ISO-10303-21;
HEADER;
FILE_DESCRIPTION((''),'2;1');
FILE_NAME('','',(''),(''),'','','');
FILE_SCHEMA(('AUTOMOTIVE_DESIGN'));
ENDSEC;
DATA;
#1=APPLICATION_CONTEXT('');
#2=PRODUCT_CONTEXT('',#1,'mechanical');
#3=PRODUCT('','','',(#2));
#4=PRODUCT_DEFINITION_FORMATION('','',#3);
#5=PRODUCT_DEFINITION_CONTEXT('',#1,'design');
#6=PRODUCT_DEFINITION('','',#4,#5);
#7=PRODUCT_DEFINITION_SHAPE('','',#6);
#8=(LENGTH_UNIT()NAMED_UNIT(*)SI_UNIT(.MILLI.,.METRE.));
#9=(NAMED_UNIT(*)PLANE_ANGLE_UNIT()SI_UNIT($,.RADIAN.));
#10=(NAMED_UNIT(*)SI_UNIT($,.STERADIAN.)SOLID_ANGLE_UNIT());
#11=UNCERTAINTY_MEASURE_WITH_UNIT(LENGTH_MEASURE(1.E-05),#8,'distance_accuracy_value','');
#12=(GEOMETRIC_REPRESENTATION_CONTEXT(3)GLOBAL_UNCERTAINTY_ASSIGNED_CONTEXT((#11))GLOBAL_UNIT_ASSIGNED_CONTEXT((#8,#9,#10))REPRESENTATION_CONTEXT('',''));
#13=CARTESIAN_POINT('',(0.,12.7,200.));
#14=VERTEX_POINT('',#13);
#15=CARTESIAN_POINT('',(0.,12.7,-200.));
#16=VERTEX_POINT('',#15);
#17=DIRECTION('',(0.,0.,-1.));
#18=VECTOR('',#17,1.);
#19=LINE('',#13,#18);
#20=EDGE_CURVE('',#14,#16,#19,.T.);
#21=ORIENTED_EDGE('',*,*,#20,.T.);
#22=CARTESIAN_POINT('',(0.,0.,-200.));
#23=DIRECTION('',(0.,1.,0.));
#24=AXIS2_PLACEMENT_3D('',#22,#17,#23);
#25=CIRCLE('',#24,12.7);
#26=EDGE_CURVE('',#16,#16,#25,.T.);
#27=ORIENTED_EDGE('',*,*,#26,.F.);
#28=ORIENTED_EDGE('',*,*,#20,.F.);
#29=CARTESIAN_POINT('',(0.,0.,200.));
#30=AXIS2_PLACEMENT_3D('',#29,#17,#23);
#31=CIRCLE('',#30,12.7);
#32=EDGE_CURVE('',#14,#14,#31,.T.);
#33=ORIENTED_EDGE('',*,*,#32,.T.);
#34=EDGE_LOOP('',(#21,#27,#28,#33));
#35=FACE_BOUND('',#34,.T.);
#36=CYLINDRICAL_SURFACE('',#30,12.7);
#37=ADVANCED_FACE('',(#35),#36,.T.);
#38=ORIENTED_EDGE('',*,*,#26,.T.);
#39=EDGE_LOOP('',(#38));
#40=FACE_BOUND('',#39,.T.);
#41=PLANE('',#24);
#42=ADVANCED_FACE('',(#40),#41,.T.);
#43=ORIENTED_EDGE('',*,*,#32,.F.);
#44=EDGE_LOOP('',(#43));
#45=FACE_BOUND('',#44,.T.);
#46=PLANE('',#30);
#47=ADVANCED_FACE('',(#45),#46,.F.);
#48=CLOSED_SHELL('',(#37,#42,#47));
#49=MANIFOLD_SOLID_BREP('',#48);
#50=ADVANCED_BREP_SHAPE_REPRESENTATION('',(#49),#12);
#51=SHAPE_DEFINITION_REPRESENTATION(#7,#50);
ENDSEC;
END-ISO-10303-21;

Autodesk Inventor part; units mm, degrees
ref_plane "YZ Plane" through (0, 0, 0) normal (1, 0, 0) x (0, 1, 0)
ref_plane "XZ Plane" through (0, 0, 0) normal (0, 1, 0) x (-1, 0, 0)
ref_plane "XY Plane" through (0, 0, 0) normal (0, 0, 1) x (1, 0, 0)
sketch "Sketch1" plane through (0, 0, 0) normal (1, 0, 0) x (0, 1, 0)
  line L0 (0, 200) -> (0, -200)
  line L1 (0, -185) -> (0, 185) construction
  line L2 (0, 200) -> (12.7, 200)
  line L3 (12.7, 200) -> (12.7, -200)
  line L4 (12.7, -200) -> (0, -200)
  point P0 (0, 0)
  dimension "d0" = 400
  dimension "d1" = 370
  dimension "d4" = 12.7
revolve "Revolution1" add sketch "Sketch1" angle 360 about axis through (0, 0, 200) along (0, 0, -1)
properties part number "Porsche_912_Main_CV_Shaft"
